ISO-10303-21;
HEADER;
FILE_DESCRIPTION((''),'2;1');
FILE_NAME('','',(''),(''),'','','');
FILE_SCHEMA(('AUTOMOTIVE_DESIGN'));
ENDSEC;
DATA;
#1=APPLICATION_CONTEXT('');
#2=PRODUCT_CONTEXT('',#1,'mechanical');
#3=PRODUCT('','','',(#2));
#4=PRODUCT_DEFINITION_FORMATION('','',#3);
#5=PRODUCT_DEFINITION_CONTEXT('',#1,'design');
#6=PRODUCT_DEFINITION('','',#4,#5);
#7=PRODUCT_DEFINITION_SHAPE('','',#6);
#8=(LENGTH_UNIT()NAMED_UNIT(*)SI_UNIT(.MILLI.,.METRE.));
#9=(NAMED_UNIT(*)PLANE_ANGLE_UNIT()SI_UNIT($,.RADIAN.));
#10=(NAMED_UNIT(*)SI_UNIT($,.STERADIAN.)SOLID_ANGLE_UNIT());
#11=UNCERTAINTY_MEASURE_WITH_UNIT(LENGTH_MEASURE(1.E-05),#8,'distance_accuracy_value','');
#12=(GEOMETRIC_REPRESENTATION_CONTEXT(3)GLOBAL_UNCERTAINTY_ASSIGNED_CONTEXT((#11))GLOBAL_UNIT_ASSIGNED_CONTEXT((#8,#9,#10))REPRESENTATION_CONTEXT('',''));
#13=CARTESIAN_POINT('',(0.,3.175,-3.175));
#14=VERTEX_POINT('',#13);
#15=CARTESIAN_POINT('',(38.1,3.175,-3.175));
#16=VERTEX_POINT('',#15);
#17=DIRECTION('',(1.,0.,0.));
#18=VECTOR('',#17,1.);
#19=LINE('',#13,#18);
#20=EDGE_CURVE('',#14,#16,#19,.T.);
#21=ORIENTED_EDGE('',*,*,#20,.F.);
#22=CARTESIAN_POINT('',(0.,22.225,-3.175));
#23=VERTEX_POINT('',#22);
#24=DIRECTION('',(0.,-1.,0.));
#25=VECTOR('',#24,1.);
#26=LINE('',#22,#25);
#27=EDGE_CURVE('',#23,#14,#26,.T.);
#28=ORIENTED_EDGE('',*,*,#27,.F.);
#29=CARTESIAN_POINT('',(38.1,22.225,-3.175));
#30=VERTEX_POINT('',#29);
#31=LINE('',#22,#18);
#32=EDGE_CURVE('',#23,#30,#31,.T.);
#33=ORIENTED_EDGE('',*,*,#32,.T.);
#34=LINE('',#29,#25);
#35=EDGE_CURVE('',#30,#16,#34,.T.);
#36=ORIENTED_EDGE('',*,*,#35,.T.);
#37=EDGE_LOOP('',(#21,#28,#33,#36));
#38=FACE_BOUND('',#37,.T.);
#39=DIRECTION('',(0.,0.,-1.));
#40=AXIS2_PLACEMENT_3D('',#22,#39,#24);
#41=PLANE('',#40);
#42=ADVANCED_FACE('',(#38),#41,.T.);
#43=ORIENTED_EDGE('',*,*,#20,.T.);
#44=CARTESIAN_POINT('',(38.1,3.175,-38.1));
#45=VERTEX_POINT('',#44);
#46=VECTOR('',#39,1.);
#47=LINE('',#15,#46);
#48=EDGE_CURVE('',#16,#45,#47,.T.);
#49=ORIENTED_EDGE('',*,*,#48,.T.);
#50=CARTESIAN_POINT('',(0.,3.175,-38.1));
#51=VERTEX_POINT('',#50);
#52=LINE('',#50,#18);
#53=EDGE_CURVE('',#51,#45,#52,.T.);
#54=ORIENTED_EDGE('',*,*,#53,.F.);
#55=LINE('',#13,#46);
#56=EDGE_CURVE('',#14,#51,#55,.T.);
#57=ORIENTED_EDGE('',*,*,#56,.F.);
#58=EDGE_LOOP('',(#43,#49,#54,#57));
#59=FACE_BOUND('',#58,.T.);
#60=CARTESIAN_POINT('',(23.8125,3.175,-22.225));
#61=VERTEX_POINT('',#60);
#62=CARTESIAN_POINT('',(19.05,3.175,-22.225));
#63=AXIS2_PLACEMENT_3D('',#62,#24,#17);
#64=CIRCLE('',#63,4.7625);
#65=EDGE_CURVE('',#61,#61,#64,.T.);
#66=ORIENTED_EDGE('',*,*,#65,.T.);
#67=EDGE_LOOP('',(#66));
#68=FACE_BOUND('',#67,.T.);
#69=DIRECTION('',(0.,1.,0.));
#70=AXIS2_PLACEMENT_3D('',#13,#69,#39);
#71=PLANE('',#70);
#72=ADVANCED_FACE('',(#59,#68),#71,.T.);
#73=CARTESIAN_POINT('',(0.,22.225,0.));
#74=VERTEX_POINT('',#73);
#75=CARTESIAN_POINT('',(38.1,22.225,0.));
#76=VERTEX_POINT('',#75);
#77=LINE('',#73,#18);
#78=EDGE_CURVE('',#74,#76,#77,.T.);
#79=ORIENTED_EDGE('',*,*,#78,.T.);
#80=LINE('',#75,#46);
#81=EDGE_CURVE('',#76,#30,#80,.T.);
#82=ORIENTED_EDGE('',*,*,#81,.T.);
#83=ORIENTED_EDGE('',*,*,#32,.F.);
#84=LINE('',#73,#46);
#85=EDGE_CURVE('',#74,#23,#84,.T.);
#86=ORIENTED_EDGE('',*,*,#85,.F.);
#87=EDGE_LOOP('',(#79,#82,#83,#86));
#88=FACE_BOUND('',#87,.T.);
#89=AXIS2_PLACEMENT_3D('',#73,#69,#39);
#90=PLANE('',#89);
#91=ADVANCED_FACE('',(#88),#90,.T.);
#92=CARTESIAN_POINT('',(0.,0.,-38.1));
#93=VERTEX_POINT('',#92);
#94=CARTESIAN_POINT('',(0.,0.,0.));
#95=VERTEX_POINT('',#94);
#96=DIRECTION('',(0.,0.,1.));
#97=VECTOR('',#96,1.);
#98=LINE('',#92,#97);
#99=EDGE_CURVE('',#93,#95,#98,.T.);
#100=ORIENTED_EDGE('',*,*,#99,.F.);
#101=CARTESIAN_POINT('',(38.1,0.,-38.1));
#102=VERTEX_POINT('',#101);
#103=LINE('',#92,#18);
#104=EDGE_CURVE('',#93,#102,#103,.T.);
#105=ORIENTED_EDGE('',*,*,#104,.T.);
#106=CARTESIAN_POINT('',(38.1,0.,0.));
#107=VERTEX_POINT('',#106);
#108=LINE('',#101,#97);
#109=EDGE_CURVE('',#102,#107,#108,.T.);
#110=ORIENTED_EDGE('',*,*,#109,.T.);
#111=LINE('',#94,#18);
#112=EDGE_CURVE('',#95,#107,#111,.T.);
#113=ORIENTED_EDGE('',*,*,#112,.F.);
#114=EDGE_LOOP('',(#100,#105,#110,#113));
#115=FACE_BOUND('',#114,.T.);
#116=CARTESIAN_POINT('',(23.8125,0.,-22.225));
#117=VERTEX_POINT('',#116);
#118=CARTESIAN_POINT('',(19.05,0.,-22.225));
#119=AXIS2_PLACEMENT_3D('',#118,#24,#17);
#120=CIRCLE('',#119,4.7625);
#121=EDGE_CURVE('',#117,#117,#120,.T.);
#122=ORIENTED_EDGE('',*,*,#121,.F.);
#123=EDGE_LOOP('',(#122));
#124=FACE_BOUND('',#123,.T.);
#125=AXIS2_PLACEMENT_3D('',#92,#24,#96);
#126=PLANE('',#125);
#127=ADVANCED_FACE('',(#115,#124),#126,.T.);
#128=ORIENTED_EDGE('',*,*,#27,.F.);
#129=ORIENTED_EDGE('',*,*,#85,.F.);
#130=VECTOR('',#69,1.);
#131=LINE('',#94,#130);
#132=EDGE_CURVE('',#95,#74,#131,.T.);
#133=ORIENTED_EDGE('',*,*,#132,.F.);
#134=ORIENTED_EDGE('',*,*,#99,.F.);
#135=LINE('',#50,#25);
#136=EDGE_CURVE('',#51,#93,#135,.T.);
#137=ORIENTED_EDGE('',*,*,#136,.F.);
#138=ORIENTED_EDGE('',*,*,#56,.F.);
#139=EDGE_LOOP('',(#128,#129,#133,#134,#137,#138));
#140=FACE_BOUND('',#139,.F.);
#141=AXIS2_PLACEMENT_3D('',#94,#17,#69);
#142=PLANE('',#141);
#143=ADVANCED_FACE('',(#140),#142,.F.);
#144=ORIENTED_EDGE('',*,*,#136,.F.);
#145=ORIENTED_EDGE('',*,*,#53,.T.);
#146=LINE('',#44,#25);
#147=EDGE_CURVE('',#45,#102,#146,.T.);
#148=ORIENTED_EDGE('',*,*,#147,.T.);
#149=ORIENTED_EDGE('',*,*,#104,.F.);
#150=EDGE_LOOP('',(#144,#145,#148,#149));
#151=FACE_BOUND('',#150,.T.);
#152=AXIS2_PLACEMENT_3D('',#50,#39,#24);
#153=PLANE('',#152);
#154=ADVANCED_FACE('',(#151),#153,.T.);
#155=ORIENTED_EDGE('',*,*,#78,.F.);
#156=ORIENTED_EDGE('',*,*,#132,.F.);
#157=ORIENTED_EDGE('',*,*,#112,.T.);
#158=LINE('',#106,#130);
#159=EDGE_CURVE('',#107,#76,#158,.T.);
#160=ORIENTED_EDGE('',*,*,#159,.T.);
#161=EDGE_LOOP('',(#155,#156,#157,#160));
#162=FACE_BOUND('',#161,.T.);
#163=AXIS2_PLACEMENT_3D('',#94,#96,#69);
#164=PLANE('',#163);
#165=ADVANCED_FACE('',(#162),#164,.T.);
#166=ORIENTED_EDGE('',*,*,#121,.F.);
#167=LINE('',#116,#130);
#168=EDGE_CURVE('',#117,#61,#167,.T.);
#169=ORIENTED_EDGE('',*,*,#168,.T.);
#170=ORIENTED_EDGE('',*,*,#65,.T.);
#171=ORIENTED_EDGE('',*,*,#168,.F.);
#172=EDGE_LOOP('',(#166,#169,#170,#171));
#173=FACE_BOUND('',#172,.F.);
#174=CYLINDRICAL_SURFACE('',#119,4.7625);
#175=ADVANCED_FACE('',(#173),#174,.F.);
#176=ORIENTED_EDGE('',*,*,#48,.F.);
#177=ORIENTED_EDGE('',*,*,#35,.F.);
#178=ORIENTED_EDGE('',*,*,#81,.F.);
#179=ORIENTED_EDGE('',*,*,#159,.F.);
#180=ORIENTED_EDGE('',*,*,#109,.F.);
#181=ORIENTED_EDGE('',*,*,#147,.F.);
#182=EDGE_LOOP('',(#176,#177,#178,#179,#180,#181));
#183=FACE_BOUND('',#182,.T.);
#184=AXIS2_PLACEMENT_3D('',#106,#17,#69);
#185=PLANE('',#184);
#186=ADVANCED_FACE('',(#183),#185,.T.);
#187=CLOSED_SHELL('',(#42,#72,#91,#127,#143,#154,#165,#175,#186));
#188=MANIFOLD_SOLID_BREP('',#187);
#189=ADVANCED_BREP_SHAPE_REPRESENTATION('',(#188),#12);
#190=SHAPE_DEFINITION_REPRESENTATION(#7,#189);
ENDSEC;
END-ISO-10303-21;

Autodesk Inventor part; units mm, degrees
ref_plane "YZ Plane" through (0, 0, 0) normal (1, 0, 0) x (0, 1, 0)
ref_plane "XZ Plane" through (0, 0, 0) normal (0, 1, 0) x (-1, 0, 0)
ref_plane "XY Plane" through (0, 0, 0) normal (0, 0, 1) x (1, 0, 0)
sketch "Sketch1" plane through (0, 0, 0) normal (1, 0, 0) x (0, 1, 0)
  line L0 (0, 0) -> (22.225, 0)
  line L1 (22.225, 0) -> (22.225, -3.175)
  line L2 (22.225, -3.175) -> (3.175, -3.175)
  line L3 (3.175, -3.175) -> (3.175, -38.1)
  line L4 (3.175, -38.1) -> (0, -38.1)
  line L5 (0, -38.1) -> (0, 0)
  dimension "d0" = 22.225
  dimension "d1" = 3.175
  dimension "d4" = 38.1
extrude "Extrusion1" add sketch "Sketch1" along normal blind 38.1
sketch "Sketch2" plane through (0, 0, -38.1) normal (0, -1, 0) x (1, 0, 0)
  circle A0 centre (19.05, 15.875) radius 4.7625
  line L0 (38.1, 38.1) -> (38.1, 0) projected
  point P0 (0, 38.1)
  dimension "d5" = 9.525
  dimension "d6" = 22.225
  dimension "d7" = 19.05
extrude "Extrusion2" cut sketch "Sketch2" against normal through all
properties part number "angle bracket" material "Aluminum 6061"
